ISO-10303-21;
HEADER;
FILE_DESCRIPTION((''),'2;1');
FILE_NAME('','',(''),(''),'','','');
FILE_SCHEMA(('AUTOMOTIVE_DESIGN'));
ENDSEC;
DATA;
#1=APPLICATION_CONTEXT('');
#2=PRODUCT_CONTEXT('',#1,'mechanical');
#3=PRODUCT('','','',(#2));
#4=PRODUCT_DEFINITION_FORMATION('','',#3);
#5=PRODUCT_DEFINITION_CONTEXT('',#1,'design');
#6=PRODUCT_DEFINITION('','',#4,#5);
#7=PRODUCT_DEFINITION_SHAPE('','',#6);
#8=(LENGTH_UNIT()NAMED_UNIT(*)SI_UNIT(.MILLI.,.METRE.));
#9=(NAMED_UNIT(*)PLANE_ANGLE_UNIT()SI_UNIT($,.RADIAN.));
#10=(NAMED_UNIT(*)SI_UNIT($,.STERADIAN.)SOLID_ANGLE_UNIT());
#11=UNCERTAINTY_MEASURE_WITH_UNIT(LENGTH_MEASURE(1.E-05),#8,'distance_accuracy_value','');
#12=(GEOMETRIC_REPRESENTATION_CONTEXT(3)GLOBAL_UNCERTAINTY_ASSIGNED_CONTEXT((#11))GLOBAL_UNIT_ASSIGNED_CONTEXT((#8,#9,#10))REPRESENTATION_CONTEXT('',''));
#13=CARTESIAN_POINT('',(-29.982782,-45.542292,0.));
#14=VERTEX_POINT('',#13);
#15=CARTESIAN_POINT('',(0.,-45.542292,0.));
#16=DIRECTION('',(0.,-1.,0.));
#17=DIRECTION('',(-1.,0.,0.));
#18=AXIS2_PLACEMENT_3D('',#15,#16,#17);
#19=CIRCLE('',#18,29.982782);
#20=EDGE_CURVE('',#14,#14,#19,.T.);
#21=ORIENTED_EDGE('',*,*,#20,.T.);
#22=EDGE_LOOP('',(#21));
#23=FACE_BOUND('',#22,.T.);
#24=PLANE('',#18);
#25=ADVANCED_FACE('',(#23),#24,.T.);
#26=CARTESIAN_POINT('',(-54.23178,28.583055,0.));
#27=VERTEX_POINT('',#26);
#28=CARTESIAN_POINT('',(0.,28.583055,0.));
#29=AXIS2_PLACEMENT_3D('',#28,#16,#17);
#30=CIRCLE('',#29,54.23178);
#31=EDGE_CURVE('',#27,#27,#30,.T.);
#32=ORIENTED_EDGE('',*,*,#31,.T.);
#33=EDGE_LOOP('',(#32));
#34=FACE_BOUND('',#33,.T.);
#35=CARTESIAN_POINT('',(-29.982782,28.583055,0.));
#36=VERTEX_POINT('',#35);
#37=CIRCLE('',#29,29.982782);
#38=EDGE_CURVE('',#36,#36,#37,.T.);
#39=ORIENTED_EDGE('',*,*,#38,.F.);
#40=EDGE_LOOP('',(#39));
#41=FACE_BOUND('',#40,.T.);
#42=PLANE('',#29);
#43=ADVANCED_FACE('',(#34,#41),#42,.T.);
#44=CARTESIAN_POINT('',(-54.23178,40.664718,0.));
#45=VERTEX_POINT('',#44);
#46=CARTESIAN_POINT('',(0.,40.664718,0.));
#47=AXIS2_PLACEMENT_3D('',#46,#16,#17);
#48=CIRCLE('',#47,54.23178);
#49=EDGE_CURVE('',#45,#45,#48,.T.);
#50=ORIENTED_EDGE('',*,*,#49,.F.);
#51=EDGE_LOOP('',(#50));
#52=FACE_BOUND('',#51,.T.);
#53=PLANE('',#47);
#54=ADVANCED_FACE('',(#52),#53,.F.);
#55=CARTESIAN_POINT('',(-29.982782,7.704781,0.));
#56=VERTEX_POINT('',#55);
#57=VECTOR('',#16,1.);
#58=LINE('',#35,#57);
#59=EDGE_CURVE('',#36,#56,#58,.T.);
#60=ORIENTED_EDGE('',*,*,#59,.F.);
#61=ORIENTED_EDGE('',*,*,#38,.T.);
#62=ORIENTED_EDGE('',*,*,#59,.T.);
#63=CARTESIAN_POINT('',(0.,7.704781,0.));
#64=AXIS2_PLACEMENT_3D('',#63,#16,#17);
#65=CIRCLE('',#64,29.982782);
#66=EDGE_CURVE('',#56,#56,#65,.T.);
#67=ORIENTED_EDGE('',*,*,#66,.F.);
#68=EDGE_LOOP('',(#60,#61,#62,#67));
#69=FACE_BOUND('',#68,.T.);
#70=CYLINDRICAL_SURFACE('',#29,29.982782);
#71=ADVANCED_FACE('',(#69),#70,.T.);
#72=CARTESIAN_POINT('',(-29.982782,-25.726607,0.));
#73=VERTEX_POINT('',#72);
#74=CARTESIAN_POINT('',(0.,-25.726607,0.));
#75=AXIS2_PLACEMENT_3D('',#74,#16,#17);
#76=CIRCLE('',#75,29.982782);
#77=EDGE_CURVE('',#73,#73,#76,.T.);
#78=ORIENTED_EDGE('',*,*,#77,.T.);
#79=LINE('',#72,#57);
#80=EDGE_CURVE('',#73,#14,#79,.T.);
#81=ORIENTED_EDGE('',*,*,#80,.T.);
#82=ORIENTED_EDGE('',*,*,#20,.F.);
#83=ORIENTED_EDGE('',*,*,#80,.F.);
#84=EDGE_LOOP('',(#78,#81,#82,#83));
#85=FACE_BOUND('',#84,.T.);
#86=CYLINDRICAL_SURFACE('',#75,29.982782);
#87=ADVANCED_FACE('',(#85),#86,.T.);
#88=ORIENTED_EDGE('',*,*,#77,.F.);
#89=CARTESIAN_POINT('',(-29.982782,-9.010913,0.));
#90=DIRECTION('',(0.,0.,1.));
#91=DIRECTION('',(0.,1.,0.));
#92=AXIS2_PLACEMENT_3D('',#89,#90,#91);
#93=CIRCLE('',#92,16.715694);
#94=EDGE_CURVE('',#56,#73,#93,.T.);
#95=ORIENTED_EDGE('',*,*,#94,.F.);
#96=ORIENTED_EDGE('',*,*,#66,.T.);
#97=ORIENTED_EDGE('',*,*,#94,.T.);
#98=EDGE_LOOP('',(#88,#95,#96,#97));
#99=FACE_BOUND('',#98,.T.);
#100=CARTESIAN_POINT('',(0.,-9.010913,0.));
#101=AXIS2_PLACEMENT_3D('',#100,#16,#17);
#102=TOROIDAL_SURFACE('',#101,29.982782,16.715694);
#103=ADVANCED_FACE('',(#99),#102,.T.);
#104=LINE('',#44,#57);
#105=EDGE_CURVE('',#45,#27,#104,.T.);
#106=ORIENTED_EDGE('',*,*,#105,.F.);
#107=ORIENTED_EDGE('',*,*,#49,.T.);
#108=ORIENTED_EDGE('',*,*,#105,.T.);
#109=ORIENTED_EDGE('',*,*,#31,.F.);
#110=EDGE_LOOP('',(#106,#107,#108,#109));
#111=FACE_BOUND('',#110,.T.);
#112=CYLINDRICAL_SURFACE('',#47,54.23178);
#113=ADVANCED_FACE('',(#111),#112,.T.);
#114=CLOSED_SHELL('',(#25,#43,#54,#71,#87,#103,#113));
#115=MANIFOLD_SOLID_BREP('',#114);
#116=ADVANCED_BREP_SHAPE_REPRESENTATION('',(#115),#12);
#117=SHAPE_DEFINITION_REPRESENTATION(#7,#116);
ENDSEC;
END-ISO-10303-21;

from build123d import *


with BuildPart() as f1:
    # F0 (on Top) → F1 (revolve)
    with BuildSketch(Plane.XY):
        with BuildLine():
            Line((0, -45.542292), (0, 40.664718))
            Line((0, 40.664718), (-54.23178, 40.664718))
            Line((-54.23178, 40.664718), (-54.23178, 28.583055))
            Line((-54.23178, 28.583055), (-29.982782, 28.583055))
            Line((-29.982782, 28.583055), (-29.982782, 7.704781))
            ThreePointArc((-29.982782, 7.704781), (-46.698476, -9.010913), (-29.982782, -25.726607))
            Line((-29.982782, -25.726607), (-29.982782, -45.542292))
            Line((-29.982782, -45.542292), (0, -45.542292))
        make_face()
    revolve(axis=Axis((0, -2.438787, 0), (0, -1, 0)))


solid = f1.part
